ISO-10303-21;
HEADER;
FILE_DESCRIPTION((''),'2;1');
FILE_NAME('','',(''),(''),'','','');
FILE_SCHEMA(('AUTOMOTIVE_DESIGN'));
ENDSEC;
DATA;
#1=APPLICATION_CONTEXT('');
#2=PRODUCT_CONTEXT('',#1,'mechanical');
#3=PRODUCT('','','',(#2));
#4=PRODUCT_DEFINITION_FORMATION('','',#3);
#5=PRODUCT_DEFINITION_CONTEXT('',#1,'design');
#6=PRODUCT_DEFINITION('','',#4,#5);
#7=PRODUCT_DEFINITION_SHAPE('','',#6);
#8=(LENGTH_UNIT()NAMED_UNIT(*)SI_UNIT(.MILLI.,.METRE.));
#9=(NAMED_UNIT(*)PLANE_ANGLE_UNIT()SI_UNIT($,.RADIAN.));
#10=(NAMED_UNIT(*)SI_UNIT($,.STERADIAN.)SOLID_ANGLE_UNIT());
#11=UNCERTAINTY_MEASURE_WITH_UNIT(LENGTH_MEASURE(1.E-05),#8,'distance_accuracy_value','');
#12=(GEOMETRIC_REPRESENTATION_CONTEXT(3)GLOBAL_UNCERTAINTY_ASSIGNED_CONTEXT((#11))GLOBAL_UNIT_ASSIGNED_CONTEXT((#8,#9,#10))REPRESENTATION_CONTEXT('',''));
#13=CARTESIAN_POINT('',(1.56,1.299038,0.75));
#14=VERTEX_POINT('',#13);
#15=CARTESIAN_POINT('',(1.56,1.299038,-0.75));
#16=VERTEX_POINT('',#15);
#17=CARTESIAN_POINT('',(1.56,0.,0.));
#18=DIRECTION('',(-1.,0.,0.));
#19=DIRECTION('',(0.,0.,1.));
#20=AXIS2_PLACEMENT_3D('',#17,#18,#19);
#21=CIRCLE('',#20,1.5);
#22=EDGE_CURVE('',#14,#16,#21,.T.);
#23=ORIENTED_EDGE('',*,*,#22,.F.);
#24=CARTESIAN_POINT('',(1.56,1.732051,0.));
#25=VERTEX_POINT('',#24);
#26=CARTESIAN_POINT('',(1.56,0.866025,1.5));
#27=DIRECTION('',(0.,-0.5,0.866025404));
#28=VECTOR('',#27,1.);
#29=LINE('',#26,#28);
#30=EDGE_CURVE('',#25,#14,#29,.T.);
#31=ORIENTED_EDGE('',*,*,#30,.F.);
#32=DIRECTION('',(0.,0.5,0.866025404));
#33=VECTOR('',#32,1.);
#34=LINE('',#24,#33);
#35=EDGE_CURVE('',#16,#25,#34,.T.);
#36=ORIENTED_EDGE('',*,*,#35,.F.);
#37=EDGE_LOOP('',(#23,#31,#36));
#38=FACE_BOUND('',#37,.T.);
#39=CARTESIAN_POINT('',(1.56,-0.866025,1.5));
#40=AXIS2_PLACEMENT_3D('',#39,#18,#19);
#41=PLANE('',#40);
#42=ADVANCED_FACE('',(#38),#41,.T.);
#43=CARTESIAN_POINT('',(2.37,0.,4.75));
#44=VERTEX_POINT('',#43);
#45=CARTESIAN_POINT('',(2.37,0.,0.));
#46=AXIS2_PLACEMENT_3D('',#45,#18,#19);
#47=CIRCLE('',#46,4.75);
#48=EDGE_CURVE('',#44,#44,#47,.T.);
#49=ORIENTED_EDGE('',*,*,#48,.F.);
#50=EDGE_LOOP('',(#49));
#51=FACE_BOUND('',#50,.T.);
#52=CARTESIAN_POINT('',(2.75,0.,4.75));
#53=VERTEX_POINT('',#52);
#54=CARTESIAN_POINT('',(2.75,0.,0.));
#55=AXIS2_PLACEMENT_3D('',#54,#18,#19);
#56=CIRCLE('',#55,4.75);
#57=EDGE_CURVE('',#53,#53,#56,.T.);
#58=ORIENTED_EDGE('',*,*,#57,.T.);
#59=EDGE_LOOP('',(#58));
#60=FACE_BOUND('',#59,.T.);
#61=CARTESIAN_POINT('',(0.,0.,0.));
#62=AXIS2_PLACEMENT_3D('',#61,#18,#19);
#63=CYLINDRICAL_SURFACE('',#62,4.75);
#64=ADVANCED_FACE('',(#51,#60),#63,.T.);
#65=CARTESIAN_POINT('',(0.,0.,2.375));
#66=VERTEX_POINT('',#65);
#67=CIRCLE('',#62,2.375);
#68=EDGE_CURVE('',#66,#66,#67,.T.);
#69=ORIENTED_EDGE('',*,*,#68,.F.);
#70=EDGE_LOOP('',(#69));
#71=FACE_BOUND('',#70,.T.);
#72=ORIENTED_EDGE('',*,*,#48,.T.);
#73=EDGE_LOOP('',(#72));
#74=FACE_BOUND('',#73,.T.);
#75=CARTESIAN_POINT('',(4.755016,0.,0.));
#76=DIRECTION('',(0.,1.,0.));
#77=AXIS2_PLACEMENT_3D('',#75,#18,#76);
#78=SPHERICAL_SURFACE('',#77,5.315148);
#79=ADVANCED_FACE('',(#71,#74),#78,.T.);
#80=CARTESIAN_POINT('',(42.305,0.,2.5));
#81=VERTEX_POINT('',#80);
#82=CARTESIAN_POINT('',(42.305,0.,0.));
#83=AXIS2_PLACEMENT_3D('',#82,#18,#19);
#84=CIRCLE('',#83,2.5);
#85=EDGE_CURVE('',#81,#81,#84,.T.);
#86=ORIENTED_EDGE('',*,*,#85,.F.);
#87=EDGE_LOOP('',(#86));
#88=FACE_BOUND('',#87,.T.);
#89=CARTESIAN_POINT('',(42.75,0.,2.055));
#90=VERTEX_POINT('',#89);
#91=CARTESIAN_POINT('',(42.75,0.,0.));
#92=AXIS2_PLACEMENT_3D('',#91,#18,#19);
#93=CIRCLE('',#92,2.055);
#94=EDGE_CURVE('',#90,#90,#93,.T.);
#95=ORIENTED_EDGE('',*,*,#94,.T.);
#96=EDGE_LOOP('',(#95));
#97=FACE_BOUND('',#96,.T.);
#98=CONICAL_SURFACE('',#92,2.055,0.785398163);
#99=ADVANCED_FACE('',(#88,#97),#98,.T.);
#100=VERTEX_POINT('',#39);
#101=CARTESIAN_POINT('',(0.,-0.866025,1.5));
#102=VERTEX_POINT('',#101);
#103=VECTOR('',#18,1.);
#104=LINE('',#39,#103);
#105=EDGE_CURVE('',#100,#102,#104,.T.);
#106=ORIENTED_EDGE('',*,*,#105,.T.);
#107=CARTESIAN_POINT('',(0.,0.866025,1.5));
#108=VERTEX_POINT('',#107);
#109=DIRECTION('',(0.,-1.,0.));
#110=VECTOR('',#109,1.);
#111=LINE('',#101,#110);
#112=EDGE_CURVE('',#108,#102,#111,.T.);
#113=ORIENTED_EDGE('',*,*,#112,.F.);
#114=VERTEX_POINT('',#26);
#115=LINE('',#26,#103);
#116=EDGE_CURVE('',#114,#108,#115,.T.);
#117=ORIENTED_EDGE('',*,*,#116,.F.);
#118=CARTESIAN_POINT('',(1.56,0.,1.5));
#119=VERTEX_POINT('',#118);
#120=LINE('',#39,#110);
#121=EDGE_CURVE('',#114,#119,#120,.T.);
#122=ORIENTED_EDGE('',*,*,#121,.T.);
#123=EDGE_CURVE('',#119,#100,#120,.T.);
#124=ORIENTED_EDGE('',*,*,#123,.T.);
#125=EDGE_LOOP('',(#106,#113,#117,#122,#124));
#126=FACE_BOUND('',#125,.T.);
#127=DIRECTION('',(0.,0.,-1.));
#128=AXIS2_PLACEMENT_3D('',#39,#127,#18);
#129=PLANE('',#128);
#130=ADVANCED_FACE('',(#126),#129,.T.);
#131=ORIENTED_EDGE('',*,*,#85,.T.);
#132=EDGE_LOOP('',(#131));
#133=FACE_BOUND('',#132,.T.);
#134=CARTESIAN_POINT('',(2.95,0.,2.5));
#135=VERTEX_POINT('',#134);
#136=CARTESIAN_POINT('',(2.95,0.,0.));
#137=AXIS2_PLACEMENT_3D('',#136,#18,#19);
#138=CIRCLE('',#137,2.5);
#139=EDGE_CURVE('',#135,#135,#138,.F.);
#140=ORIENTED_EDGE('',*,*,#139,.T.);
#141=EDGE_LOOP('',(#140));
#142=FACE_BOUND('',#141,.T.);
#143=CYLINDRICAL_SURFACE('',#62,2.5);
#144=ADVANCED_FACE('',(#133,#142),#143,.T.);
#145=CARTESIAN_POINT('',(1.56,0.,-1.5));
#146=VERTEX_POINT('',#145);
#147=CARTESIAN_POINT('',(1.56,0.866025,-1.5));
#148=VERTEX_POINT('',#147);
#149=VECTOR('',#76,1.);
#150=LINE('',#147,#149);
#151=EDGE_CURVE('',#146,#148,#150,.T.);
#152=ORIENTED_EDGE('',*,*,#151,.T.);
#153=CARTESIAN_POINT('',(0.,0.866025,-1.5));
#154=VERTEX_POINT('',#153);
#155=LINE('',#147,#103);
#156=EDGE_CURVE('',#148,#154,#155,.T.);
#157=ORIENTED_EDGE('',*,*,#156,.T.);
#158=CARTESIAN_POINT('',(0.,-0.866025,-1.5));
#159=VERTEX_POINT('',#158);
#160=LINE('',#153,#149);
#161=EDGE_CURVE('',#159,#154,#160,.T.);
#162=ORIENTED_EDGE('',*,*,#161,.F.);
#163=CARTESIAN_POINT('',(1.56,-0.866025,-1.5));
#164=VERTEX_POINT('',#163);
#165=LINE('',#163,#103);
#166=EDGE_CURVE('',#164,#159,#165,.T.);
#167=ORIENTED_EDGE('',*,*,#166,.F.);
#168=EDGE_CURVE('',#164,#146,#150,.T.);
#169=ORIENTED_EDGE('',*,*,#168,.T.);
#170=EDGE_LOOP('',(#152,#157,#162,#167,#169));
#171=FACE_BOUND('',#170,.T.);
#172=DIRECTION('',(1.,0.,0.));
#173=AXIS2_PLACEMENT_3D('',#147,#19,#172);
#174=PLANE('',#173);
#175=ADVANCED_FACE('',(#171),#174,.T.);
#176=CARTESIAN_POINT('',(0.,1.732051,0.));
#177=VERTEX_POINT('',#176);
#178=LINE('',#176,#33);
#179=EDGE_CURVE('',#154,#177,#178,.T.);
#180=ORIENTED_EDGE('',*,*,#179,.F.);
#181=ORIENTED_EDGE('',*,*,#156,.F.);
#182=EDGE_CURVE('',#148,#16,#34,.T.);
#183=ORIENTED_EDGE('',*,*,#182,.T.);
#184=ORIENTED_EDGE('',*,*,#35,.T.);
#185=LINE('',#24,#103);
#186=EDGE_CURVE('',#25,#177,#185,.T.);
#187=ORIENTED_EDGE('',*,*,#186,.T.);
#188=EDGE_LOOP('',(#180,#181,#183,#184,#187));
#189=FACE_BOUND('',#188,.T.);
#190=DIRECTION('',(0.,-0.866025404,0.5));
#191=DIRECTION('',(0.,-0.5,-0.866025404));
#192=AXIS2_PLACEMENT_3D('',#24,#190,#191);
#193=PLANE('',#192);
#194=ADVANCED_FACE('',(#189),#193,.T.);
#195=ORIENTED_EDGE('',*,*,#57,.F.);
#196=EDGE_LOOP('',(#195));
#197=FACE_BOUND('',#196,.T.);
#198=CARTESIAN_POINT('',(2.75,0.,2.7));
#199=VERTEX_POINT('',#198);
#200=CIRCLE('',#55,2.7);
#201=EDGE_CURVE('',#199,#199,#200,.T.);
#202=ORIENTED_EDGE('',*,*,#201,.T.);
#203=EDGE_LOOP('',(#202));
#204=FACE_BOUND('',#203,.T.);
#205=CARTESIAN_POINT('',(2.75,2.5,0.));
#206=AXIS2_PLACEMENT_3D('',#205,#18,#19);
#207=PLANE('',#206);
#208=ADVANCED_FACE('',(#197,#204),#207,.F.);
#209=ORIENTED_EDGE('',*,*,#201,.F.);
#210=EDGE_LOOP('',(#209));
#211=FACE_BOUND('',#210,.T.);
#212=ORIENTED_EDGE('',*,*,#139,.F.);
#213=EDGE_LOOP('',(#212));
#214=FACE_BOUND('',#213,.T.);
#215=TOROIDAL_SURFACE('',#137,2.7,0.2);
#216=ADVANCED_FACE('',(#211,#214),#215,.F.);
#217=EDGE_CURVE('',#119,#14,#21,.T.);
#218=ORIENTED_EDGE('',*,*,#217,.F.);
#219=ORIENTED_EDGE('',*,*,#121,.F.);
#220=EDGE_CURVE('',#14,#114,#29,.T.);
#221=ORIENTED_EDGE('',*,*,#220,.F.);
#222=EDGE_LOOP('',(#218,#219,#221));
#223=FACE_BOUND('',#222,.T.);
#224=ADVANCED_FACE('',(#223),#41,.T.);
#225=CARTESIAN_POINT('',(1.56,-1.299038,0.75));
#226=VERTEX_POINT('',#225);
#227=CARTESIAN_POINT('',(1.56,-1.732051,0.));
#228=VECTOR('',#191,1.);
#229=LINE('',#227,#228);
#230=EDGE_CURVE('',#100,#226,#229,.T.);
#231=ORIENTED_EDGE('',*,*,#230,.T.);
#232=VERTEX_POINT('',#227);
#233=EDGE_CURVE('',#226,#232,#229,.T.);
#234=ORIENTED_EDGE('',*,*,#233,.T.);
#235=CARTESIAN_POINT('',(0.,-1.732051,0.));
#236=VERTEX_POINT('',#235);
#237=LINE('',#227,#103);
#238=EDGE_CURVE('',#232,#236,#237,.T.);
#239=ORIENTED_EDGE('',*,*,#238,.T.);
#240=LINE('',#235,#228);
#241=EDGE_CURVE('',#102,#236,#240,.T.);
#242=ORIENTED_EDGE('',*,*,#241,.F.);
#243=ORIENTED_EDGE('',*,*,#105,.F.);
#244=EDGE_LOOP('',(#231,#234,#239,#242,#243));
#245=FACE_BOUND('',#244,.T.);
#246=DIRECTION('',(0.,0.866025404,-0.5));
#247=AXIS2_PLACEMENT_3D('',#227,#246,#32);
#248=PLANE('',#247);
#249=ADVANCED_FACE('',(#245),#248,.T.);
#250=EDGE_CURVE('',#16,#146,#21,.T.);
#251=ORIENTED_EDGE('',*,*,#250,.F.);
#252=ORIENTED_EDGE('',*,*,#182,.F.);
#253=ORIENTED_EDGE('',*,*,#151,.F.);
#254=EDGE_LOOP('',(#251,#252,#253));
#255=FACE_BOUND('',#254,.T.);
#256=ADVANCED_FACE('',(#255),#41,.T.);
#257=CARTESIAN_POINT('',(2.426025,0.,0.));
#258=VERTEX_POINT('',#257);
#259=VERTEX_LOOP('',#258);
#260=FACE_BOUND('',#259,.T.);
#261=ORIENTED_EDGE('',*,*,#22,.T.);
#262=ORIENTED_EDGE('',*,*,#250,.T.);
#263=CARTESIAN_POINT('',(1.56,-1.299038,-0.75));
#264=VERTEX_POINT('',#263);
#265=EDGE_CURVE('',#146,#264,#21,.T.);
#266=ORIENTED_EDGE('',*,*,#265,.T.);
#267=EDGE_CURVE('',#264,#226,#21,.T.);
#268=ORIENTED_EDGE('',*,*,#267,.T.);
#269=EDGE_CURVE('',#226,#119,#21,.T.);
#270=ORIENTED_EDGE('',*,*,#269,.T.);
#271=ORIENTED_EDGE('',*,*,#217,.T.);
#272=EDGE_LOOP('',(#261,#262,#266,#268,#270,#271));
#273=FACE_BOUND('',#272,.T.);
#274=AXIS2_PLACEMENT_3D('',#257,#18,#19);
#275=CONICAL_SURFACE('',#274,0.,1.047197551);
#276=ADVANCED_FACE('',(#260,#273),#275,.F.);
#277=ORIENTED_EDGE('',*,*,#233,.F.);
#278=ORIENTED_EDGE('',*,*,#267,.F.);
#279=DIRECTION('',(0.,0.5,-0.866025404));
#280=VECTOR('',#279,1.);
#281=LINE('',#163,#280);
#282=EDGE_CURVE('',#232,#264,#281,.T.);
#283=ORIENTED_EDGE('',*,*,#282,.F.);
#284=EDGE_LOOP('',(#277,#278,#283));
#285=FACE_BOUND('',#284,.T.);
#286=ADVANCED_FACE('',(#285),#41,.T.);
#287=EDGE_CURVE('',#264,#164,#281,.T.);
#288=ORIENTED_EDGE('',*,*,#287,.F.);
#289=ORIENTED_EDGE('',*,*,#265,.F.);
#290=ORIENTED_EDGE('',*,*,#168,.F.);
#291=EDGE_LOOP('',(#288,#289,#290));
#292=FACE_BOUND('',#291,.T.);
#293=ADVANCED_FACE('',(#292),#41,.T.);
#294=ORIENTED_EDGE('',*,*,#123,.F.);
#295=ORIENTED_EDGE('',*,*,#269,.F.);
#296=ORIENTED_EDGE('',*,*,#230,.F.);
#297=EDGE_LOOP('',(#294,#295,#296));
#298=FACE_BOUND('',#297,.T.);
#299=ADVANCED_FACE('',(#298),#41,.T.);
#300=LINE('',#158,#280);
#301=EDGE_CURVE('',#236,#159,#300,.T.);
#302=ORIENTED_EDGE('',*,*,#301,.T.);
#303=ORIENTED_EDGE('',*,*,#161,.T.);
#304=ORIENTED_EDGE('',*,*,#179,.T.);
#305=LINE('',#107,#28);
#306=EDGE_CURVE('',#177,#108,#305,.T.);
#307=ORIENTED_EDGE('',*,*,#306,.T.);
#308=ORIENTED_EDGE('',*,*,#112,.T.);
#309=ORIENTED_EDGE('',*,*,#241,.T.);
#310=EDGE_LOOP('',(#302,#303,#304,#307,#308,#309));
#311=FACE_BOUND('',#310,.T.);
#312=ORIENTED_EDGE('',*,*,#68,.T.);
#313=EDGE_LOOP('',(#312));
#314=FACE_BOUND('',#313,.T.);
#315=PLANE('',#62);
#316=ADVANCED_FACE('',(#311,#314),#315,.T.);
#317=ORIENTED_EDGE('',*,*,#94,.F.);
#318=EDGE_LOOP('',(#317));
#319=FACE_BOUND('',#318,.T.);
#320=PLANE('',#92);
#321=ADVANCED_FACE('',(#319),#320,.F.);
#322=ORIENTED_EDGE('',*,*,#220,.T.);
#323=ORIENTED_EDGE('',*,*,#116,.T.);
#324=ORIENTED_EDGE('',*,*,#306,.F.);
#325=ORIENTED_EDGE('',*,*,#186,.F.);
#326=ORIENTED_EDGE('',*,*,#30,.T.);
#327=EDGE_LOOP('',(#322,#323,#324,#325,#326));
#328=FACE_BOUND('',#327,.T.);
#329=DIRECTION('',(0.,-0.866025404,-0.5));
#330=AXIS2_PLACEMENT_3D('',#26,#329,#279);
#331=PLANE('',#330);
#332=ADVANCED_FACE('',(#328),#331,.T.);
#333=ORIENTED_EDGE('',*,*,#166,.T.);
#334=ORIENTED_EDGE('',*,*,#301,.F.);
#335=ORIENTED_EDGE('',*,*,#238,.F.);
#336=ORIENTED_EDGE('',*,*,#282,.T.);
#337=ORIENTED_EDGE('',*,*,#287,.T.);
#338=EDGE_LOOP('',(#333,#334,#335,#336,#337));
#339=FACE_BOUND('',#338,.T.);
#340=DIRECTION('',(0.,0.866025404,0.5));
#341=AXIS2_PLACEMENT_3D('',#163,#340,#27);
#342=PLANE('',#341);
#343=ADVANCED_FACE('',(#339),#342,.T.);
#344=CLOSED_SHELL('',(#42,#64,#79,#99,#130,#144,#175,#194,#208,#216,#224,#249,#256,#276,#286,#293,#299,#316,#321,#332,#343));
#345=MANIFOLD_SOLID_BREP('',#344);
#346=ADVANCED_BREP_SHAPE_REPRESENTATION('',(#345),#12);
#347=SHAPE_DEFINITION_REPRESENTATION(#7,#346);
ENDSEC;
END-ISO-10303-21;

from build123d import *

# Parameters (mm, degrees)
FILLET1_R   = 0.2
HEX_2_DEPTH = 1.56


with BuildPart() as part:
    # BodySke → BaseBody (revolve)
    with BuildSketch(Plane.XY):
        with BuildLine():
            Line((42.75, 0), (42.75, 2.055))
            Line((42.75, 2.055), (42.305, 2.5))
            Line((42.305, 2.5), (2.75, 2.5))
            Line((2.75, 2.5), (2.75, 4.75))
            Line((2.75, 4.75), (2.37, 4.75))
            ThreePointArc((2.37, 4.75), (0.992680215, 3.754414901), (0, 2.375))
            Line((0, 2.375), (0, 0))
            Line((0, 0), (42.75, 0))
        make_face()
    revolve(axis=Axis((0, 0, 0), (1, 0, 0)))

    # Fillet1
    fillet1_edges = [part.edges().sort_by_distance(p)[0] for p in [
        (2.75, -2.5, 0),
    ]]
    fillet(fillet1_edges, radius=FILLET1_R)

    # Sketch2 → PreBroach (revolve, cut)
    with BuildSketch(Plane.XY):
        Polygon((0, 1.5), (1.56, 1.5), (2.426025404, 0), (0, 0), align=None)
    revolve(axis=Axis((0, 0, 0), (1, 0, 0)), mode=Mode.SUBTRACT)

    # Sketch3 → Hex 2 (cut)
    with BuildSketch(Plane(origin=(0, 0, 0), x_dir=(0, 0, -1), z_dir=(1, 0, 0))):
        Polygon((-1.5, -0.866025404), (-1.5, 0.866025404), (0, 1.732050808), (1.5, 0.866025404), (1.5, -0.866025404), (0, -1.732050808), align=None)
    extrude(amount=HEX_2_DEPTH, mode=Mode.SUBTRACT)


solid = part.part
